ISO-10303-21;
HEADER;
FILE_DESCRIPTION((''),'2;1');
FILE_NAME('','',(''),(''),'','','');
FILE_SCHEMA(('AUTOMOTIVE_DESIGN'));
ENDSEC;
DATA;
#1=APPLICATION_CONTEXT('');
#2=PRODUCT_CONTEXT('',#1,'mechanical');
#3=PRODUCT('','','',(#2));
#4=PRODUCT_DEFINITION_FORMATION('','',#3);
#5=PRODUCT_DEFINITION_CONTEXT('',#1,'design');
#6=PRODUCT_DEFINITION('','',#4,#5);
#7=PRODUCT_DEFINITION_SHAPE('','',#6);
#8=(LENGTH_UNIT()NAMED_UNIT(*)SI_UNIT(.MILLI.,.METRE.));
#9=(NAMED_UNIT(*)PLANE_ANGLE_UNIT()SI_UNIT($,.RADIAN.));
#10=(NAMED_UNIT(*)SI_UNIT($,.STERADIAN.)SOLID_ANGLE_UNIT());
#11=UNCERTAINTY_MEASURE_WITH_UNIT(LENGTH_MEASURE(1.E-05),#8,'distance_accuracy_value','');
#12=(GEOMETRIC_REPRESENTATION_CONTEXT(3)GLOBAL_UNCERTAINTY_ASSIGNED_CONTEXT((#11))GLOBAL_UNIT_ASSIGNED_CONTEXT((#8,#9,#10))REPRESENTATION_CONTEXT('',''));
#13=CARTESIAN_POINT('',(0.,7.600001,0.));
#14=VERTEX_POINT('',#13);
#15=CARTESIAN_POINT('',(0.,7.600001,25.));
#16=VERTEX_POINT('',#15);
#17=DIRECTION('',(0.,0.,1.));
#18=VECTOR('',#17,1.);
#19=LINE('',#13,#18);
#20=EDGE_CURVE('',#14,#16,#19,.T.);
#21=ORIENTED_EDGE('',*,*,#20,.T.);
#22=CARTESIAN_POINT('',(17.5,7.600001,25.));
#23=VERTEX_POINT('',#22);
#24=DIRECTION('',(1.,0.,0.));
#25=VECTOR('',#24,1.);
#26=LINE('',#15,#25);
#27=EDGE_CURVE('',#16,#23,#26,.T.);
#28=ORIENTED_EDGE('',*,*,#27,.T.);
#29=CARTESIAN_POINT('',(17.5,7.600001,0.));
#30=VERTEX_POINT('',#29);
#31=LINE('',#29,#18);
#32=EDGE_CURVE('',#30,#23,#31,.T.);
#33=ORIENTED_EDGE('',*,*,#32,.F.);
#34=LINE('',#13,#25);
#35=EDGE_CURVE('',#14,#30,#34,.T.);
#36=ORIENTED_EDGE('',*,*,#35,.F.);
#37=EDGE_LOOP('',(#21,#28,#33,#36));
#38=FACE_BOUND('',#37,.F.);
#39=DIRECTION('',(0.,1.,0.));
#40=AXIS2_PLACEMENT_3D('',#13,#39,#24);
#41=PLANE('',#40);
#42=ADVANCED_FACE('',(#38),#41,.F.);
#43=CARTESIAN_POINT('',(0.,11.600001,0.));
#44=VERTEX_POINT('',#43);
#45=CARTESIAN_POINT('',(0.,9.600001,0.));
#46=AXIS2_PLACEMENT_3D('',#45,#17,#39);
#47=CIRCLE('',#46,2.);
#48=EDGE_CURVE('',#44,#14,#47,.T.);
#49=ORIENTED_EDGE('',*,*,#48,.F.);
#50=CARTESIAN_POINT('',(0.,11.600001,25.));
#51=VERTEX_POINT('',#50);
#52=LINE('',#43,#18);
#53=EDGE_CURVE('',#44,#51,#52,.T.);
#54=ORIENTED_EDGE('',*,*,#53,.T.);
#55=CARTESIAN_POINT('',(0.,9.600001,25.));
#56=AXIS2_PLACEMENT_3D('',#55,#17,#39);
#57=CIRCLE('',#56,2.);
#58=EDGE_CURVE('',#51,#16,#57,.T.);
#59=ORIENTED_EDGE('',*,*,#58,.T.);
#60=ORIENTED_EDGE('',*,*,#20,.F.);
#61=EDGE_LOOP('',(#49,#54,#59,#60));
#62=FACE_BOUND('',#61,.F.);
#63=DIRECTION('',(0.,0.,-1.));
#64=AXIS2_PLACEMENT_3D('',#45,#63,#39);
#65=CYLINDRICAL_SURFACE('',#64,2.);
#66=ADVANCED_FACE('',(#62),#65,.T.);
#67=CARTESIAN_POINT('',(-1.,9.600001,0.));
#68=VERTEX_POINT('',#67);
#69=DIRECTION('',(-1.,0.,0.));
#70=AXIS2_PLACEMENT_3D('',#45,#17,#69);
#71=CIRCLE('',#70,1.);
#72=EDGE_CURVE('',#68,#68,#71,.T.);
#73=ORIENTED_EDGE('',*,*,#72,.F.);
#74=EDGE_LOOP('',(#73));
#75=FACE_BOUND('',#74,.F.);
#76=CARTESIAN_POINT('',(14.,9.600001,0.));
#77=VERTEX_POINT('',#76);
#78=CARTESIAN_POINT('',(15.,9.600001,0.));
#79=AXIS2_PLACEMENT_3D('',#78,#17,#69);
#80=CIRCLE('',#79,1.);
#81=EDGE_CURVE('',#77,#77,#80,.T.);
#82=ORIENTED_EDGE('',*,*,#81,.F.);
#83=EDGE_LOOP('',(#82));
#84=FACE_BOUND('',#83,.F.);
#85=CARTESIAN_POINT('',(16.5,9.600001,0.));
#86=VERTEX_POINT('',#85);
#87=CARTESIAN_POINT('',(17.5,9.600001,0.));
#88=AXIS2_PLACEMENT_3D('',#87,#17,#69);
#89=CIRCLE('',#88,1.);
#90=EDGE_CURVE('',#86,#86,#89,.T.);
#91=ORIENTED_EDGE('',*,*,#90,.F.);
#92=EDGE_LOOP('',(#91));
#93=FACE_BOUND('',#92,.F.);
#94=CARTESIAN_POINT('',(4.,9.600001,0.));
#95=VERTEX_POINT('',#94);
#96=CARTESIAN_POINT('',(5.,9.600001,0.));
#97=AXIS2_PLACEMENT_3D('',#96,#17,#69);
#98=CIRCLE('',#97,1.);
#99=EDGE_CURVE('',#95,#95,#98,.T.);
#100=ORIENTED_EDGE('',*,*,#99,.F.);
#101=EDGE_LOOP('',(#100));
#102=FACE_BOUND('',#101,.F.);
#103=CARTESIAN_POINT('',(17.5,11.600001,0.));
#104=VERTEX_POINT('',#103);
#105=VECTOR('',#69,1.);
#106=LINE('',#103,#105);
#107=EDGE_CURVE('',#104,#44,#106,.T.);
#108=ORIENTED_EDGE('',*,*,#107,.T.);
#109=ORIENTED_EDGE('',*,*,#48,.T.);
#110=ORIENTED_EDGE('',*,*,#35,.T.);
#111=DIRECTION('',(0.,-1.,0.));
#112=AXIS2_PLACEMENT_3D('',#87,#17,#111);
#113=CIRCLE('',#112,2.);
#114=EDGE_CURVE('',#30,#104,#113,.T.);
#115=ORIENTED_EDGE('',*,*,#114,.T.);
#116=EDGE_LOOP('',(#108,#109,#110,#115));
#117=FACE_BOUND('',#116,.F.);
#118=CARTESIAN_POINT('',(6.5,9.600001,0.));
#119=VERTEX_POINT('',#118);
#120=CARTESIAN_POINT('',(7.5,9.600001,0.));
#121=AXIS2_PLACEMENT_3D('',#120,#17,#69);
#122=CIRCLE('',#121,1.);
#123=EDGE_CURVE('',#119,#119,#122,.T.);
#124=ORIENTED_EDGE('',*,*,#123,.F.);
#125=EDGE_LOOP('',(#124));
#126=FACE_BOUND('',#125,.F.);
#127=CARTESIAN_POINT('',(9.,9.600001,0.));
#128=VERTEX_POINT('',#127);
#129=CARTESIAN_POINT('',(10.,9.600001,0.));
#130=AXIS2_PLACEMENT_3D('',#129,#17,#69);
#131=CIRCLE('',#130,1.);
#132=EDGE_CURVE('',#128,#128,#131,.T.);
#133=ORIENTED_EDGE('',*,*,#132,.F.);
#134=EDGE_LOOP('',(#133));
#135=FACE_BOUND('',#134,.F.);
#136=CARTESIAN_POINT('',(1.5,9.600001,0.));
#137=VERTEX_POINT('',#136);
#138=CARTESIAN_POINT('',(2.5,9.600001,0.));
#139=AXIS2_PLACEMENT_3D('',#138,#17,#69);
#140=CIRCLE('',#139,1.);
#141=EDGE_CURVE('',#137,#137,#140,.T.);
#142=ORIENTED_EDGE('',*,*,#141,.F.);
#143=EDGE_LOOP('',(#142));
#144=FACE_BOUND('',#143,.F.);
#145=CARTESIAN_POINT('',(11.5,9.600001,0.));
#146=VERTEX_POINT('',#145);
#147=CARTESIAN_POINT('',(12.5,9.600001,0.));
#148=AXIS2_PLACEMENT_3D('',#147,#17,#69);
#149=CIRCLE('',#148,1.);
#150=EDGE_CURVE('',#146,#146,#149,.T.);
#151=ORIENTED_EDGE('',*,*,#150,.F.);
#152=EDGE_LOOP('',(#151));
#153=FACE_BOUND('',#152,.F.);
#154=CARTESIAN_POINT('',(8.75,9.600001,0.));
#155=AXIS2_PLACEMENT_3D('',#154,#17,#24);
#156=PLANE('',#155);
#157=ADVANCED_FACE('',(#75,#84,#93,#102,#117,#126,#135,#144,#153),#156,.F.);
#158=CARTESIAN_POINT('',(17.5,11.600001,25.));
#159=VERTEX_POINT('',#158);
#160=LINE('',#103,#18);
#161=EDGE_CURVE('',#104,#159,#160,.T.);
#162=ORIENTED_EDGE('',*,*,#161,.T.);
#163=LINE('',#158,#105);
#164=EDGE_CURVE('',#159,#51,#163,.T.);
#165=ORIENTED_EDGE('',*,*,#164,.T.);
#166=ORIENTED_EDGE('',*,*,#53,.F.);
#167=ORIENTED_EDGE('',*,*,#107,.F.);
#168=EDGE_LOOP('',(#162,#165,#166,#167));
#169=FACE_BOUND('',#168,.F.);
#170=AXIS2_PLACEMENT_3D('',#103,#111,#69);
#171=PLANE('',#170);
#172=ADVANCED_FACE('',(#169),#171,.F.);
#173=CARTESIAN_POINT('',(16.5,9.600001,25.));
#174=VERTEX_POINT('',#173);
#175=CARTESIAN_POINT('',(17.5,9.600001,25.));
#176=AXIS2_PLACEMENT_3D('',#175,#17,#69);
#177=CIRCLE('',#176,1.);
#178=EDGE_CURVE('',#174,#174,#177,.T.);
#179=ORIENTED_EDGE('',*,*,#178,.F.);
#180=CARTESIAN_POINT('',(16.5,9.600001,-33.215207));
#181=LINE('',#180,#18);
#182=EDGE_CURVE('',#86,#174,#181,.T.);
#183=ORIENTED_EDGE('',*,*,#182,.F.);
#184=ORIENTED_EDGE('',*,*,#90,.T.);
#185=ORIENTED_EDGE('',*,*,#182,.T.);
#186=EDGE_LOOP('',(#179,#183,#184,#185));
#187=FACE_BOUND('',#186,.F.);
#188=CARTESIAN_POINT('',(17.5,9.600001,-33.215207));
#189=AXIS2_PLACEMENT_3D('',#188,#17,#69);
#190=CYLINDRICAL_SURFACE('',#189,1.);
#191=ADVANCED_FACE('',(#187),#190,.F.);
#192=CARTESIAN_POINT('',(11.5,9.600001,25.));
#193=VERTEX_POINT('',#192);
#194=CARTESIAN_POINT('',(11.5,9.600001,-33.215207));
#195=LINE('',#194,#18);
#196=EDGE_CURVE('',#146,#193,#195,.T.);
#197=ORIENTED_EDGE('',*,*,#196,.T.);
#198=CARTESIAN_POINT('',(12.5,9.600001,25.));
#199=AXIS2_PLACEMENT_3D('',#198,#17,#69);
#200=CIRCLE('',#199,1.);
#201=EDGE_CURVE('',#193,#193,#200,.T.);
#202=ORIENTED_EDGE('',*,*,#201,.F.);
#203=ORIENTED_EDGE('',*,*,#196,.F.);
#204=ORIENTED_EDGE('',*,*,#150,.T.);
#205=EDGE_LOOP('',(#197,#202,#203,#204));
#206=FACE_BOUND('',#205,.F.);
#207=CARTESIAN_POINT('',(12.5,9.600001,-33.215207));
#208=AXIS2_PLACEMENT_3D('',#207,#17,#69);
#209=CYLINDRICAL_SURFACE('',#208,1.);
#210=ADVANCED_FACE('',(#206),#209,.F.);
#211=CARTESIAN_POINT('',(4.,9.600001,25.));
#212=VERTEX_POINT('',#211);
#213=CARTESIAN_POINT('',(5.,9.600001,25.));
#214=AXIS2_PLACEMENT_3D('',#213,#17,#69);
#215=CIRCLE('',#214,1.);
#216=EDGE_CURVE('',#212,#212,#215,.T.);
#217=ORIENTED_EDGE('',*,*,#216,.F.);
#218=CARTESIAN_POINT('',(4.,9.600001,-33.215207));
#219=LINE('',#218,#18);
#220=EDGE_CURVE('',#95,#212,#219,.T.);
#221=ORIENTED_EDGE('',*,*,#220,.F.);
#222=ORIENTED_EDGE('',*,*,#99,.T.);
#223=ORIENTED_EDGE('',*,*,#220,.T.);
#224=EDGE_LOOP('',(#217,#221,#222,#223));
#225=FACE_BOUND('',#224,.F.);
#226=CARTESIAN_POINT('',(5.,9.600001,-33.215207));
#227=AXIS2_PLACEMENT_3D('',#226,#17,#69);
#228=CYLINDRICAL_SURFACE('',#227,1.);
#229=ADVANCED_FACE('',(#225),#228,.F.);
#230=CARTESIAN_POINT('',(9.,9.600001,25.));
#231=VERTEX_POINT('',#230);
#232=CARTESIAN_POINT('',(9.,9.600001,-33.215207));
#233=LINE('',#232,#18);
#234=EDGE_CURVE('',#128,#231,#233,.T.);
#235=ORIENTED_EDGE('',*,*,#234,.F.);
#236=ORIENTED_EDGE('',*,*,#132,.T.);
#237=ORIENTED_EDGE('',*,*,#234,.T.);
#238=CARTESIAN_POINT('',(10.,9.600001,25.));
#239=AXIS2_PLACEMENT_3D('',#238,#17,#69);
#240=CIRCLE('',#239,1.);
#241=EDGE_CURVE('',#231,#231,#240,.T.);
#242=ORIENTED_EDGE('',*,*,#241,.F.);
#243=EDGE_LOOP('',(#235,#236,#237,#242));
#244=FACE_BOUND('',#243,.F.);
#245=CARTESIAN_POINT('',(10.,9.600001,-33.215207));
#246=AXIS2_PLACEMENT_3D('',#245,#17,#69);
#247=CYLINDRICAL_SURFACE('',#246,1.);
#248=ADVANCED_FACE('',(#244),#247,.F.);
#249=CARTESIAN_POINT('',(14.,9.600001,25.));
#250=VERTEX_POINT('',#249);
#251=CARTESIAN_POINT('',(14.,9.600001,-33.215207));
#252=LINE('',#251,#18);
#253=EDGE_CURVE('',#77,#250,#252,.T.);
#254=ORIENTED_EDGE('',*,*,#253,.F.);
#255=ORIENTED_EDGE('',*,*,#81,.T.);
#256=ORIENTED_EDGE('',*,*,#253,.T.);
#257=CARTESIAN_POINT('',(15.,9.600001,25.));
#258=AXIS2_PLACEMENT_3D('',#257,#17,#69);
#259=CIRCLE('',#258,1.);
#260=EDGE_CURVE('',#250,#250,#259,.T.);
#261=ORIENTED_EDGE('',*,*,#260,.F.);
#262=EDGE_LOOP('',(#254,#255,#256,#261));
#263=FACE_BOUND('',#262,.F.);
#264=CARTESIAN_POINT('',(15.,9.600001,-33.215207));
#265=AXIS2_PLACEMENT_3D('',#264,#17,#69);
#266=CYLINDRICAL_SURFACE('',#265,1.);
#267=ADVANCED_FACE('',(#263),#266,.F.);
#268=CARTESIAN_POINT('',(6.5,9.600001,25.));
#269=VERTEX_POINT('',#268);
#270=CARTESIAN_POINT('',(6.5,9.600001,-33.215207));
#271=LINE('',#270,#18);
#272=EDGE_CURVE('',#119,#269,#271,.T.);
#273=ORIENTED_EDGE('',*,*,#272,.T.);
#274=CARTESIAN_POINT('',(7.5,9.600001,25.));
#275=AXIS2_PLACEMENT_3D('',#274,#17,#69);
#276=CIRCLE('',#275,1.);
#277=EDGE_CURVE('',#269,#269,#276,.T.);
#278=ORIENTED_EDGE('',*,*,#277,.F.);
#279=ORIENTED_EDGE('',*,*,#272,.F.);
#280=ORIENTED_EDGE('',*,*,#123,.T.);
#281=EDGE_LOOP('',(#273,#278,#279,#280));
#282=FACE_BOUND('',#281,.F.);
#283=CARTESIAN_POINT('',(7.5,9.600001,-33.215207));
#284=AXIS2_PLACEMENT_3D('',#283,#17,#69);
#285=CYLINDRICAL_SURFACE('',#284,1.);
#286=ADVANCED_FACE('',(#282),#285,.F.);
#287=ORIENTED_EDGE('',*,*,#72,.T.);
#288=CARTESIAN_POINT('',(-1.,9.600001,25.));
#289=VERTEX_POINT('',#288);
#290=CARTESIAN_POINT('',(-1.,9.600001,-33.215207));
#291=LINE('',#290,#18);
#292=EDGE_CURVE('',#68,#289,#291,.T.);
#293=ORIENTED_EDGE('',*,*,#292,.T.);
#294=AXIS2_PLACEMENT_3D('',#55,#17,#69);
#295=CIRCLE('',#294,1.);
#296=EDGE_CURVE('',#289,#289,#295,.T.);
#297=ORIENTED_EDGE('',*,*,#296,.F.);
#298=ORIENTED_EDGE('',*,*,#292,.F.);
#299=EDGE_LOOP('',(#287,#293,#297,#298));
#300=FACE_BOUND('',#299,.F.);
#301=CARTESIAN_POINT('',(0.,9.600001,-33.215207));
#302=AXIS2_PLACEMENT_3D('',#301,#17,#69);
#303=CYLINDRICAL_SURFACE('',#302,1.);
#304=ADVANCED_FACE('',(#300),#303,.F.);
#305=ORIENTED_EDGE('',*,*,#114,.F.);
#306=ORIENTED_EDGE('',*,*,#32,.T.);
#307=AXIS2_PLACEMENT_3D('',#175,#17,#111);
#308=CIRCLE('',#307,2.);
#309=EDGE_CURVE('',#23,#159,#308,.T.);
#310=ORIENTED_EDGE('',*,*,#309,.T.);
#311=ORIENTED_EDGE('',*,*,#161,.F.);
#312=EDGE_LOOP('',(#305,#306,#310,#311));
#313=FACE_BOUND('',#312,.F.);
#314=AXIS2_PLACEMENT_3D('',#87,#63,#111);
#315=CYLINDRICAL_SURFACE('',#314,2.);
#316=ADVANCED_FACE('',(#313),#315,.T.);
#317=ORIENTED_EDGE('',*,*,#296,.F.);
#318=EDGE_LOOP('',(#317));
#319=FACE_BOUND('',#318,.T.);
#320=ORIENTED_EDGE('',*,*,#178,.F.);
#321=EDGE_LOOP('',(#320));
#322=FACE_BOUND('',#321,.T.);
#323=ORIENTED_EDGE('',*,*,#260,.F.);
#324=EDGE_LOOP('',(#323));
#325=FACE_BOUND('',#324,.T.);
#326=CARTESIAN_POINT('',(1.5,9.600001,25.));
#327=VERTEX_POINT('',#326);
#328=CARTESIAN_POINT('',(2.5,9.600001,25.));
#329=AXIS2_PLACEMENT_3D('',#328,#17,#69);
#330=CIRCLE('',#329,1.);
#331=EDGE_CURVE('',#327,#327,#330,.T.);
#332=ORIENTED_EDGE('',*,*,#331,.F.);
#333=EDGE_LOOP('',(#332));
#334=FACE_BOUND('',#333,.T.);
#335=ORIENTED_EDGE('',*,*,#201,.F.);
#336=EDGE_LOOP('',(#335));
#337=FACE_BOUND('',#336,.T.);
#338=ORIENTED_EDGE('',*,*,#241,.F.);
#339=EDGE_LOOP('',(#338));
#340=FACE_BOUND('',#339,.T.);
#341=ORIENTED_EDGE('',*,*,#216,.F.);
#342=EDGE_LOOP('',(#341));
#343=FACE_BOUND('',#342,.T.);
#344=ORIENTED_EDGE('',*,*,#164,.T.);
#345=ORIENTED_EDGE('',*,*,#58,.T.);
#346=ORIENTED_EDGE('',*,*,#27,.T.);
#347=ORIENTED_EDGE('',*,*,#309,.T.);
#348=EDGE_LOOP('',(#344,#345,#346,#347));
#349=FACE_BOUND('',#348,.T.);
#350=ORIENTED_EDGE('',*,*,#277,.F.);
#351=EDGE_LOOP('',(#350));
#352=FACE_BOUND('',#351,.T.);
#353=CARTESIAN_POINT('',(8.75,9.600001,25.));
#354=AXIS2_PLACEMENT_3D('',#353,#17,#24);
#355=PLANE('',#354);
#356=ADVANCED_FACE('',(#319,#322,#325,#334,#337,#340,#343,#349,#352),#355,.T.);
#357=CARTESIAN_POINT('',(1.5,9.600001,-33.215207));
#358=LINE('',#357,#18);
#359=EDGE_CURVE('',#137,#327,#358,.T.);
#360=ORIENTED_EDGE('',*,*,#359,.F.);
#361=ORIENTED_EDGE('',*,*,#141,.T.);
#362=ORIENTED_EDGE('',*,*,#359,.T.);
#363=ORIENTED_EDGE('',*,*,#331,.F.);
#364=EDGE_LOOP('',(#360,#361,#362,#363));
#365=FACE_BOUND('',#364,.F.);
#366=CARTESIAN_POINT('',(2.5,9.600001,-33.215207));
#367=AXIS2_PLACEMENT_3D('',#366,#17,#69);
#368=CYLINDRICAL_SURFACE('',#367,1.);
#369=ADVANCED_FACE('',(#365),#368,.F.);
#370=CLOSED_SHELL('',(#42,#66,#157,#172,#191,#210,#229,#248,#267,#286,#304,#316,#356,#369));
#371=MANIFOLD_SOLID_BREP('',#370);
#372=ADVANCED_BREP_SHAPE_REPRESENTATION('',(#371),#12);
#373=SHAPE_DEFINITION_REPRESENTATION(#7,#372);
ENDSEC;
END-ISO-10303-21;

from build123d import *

# Parameters (mm, degrees)
F1_DEPTH = 25
F2_D     = 2


with BuildPart() as f1:
    # F0 (on Top) → F1 (new body)
    with BuildSketch(Plane.XY):
        with BuildLine():
            ThreePointArc((0, 11.6000010935), (-2, 9.6000010935), (0, 7.6000010935))
            Line((0, 7.6000010935), (17.5, 7.6000010935))
            ThreePointArc((17.5, 7.6000010935), (19.5, 9.6000010935), (17.5, 11.6000010935))
            Line((17.5, 11.6000010935), (0, 11.6000010935))
        make_face()
    extrude(amount=F1_DEPTH)

    # F2 (through all)
    with Locations(Plane(origin=(0, 0, 0), x_dir=(1, 0, 0), z_dir=(0, 0, -1))):
        with Locations((0, -9.6000010935), (2.5, -9.6000010935), (5, -9.6000010935), (7.5, -9.6000010935), (10, -9.6000010935), (12.5, -9.6000010935), (15, -9.6000010935), (17.5, -9.6000010935)):
            Hole(F2_D / 2)


solid = f1.part
